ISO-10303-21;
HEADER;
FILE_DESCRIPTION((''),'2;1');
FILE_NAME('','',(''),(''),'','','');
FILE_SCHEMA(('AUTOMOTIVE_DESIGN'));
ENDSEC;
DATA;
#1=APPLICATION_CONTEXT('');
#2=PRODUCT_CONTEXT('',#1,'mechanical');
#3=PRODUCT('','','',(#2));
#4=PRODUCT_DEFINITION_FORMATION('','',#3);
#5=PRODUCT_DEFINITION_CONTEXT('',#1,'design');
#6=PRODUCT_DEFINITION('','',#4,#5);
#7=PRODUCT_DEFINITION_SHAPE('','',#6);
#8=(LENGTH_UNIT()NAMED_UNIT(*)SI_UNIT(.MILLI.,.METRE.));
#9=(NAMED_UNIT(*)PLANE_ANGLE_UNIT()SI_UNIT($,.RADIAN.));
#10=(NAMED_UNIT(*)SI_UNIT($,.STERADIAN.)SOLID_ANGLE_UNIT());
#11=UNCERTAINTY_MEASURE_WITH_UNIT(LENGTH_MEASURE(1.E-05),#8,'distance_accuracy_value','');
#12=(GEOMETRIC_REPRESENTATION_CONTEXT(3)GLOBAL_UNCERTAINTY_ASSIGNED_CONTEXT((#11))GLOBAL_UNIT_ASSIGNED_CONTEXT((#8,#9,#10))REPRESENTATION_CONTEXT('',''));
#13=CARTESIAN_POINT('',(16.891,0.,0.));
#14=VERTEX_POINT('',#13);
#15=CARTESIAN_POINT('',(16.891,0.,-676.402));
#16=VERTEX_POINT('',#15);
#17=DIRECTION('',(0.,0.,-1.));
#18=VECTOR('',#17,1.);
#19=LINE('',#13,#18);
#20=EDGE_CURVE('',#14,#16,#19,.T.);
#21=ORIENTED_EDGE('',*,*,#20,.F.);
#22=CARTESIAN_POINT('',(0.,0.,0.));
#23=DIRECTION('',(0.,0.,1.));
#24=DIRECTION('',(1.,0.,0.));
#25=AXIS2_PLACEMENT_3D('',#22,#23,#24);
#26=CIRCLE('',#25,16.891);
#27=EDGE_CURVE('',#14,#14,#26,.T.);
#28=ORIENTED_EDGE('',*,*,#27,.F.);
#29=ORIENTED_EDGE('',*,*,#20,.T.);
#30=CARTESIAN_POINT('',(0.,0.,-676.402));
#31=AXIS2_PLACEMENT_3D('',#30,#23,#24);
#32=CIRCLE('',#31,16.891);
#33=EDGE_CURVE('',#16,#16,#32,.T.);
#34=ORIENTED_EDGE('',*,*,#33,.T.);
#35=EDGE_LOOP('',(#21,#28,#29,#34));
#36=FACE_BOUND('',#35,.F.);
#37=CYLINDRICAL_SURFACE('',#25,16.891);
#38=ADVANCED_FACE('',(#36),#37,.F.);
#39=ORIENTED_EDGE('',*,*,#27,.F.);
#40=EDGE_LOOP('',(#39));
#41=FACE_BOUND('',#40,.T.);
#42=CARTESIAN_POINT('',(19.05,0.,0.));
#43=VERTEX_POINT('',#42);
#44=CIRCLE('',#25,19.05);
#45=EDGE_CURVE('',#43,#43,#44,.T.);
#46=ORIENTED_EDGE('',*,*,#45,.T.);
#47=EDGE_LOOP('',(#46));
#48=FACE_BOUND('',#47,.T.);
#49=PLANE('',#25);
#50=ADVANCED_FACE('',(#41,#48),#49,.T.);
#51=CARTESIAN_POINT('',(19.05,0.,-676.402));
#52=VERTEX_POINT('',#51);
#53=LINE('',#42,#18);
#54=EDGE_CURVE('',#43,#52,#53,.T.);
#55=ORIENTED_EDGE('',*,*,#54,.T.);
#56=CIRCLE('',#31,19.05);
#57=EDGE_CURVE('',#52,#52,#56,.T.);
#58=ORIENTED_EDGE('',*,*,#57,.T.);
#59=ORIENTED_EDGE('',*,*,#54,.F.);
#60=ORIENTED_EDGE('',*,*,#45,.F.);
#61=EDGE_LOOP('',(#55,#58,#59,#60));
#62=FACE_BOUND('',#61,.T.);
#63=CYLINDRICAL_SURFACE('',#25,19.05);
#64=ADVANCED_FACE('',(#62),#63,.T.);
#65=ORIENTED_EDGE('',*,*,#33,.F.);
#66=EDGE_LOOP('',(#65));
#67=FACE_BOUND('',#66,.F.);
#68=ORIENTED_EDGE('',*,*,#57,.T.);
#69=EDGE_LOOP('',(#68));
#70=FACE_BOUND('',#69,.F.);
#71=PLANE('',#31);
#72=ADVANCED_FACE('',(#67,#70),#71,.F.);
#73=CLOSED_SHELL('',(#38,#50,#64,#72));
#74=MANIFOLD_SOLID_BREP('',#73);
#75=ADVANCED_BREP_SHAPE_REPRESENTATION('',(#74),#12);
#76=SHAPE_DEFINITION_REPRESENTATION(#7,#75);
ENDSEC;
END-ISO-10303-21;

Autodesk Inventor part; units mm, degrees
ref_plane "YZ Plane" through (0, 0, 0) normal (1, 0, 0) x (0, 1, 0)
ref_plane "XZ Plane" through (0, 0, 0) normal (0, 1, 0) x (-1, 0, 0)
ref_plane "XY Plane" through (0, 0, 0) normal (0, 0, 1) x (1, 0, 0)
sketch "Sketch1" plane through (0, 0, 0) normal (0, 0, 1) x (1, 0, 0)
  circle A0 centre (0, 0) radius 19.05
  circle A1 centre (0, 0) radius 16.891
  dimension "d0" = 38.1
  dimension "d2" = 33.782
extrude "Extrusion1" add sketch "Sketch1" against normal blind 676.402
properties part number "GE-13021" material "Steel"
